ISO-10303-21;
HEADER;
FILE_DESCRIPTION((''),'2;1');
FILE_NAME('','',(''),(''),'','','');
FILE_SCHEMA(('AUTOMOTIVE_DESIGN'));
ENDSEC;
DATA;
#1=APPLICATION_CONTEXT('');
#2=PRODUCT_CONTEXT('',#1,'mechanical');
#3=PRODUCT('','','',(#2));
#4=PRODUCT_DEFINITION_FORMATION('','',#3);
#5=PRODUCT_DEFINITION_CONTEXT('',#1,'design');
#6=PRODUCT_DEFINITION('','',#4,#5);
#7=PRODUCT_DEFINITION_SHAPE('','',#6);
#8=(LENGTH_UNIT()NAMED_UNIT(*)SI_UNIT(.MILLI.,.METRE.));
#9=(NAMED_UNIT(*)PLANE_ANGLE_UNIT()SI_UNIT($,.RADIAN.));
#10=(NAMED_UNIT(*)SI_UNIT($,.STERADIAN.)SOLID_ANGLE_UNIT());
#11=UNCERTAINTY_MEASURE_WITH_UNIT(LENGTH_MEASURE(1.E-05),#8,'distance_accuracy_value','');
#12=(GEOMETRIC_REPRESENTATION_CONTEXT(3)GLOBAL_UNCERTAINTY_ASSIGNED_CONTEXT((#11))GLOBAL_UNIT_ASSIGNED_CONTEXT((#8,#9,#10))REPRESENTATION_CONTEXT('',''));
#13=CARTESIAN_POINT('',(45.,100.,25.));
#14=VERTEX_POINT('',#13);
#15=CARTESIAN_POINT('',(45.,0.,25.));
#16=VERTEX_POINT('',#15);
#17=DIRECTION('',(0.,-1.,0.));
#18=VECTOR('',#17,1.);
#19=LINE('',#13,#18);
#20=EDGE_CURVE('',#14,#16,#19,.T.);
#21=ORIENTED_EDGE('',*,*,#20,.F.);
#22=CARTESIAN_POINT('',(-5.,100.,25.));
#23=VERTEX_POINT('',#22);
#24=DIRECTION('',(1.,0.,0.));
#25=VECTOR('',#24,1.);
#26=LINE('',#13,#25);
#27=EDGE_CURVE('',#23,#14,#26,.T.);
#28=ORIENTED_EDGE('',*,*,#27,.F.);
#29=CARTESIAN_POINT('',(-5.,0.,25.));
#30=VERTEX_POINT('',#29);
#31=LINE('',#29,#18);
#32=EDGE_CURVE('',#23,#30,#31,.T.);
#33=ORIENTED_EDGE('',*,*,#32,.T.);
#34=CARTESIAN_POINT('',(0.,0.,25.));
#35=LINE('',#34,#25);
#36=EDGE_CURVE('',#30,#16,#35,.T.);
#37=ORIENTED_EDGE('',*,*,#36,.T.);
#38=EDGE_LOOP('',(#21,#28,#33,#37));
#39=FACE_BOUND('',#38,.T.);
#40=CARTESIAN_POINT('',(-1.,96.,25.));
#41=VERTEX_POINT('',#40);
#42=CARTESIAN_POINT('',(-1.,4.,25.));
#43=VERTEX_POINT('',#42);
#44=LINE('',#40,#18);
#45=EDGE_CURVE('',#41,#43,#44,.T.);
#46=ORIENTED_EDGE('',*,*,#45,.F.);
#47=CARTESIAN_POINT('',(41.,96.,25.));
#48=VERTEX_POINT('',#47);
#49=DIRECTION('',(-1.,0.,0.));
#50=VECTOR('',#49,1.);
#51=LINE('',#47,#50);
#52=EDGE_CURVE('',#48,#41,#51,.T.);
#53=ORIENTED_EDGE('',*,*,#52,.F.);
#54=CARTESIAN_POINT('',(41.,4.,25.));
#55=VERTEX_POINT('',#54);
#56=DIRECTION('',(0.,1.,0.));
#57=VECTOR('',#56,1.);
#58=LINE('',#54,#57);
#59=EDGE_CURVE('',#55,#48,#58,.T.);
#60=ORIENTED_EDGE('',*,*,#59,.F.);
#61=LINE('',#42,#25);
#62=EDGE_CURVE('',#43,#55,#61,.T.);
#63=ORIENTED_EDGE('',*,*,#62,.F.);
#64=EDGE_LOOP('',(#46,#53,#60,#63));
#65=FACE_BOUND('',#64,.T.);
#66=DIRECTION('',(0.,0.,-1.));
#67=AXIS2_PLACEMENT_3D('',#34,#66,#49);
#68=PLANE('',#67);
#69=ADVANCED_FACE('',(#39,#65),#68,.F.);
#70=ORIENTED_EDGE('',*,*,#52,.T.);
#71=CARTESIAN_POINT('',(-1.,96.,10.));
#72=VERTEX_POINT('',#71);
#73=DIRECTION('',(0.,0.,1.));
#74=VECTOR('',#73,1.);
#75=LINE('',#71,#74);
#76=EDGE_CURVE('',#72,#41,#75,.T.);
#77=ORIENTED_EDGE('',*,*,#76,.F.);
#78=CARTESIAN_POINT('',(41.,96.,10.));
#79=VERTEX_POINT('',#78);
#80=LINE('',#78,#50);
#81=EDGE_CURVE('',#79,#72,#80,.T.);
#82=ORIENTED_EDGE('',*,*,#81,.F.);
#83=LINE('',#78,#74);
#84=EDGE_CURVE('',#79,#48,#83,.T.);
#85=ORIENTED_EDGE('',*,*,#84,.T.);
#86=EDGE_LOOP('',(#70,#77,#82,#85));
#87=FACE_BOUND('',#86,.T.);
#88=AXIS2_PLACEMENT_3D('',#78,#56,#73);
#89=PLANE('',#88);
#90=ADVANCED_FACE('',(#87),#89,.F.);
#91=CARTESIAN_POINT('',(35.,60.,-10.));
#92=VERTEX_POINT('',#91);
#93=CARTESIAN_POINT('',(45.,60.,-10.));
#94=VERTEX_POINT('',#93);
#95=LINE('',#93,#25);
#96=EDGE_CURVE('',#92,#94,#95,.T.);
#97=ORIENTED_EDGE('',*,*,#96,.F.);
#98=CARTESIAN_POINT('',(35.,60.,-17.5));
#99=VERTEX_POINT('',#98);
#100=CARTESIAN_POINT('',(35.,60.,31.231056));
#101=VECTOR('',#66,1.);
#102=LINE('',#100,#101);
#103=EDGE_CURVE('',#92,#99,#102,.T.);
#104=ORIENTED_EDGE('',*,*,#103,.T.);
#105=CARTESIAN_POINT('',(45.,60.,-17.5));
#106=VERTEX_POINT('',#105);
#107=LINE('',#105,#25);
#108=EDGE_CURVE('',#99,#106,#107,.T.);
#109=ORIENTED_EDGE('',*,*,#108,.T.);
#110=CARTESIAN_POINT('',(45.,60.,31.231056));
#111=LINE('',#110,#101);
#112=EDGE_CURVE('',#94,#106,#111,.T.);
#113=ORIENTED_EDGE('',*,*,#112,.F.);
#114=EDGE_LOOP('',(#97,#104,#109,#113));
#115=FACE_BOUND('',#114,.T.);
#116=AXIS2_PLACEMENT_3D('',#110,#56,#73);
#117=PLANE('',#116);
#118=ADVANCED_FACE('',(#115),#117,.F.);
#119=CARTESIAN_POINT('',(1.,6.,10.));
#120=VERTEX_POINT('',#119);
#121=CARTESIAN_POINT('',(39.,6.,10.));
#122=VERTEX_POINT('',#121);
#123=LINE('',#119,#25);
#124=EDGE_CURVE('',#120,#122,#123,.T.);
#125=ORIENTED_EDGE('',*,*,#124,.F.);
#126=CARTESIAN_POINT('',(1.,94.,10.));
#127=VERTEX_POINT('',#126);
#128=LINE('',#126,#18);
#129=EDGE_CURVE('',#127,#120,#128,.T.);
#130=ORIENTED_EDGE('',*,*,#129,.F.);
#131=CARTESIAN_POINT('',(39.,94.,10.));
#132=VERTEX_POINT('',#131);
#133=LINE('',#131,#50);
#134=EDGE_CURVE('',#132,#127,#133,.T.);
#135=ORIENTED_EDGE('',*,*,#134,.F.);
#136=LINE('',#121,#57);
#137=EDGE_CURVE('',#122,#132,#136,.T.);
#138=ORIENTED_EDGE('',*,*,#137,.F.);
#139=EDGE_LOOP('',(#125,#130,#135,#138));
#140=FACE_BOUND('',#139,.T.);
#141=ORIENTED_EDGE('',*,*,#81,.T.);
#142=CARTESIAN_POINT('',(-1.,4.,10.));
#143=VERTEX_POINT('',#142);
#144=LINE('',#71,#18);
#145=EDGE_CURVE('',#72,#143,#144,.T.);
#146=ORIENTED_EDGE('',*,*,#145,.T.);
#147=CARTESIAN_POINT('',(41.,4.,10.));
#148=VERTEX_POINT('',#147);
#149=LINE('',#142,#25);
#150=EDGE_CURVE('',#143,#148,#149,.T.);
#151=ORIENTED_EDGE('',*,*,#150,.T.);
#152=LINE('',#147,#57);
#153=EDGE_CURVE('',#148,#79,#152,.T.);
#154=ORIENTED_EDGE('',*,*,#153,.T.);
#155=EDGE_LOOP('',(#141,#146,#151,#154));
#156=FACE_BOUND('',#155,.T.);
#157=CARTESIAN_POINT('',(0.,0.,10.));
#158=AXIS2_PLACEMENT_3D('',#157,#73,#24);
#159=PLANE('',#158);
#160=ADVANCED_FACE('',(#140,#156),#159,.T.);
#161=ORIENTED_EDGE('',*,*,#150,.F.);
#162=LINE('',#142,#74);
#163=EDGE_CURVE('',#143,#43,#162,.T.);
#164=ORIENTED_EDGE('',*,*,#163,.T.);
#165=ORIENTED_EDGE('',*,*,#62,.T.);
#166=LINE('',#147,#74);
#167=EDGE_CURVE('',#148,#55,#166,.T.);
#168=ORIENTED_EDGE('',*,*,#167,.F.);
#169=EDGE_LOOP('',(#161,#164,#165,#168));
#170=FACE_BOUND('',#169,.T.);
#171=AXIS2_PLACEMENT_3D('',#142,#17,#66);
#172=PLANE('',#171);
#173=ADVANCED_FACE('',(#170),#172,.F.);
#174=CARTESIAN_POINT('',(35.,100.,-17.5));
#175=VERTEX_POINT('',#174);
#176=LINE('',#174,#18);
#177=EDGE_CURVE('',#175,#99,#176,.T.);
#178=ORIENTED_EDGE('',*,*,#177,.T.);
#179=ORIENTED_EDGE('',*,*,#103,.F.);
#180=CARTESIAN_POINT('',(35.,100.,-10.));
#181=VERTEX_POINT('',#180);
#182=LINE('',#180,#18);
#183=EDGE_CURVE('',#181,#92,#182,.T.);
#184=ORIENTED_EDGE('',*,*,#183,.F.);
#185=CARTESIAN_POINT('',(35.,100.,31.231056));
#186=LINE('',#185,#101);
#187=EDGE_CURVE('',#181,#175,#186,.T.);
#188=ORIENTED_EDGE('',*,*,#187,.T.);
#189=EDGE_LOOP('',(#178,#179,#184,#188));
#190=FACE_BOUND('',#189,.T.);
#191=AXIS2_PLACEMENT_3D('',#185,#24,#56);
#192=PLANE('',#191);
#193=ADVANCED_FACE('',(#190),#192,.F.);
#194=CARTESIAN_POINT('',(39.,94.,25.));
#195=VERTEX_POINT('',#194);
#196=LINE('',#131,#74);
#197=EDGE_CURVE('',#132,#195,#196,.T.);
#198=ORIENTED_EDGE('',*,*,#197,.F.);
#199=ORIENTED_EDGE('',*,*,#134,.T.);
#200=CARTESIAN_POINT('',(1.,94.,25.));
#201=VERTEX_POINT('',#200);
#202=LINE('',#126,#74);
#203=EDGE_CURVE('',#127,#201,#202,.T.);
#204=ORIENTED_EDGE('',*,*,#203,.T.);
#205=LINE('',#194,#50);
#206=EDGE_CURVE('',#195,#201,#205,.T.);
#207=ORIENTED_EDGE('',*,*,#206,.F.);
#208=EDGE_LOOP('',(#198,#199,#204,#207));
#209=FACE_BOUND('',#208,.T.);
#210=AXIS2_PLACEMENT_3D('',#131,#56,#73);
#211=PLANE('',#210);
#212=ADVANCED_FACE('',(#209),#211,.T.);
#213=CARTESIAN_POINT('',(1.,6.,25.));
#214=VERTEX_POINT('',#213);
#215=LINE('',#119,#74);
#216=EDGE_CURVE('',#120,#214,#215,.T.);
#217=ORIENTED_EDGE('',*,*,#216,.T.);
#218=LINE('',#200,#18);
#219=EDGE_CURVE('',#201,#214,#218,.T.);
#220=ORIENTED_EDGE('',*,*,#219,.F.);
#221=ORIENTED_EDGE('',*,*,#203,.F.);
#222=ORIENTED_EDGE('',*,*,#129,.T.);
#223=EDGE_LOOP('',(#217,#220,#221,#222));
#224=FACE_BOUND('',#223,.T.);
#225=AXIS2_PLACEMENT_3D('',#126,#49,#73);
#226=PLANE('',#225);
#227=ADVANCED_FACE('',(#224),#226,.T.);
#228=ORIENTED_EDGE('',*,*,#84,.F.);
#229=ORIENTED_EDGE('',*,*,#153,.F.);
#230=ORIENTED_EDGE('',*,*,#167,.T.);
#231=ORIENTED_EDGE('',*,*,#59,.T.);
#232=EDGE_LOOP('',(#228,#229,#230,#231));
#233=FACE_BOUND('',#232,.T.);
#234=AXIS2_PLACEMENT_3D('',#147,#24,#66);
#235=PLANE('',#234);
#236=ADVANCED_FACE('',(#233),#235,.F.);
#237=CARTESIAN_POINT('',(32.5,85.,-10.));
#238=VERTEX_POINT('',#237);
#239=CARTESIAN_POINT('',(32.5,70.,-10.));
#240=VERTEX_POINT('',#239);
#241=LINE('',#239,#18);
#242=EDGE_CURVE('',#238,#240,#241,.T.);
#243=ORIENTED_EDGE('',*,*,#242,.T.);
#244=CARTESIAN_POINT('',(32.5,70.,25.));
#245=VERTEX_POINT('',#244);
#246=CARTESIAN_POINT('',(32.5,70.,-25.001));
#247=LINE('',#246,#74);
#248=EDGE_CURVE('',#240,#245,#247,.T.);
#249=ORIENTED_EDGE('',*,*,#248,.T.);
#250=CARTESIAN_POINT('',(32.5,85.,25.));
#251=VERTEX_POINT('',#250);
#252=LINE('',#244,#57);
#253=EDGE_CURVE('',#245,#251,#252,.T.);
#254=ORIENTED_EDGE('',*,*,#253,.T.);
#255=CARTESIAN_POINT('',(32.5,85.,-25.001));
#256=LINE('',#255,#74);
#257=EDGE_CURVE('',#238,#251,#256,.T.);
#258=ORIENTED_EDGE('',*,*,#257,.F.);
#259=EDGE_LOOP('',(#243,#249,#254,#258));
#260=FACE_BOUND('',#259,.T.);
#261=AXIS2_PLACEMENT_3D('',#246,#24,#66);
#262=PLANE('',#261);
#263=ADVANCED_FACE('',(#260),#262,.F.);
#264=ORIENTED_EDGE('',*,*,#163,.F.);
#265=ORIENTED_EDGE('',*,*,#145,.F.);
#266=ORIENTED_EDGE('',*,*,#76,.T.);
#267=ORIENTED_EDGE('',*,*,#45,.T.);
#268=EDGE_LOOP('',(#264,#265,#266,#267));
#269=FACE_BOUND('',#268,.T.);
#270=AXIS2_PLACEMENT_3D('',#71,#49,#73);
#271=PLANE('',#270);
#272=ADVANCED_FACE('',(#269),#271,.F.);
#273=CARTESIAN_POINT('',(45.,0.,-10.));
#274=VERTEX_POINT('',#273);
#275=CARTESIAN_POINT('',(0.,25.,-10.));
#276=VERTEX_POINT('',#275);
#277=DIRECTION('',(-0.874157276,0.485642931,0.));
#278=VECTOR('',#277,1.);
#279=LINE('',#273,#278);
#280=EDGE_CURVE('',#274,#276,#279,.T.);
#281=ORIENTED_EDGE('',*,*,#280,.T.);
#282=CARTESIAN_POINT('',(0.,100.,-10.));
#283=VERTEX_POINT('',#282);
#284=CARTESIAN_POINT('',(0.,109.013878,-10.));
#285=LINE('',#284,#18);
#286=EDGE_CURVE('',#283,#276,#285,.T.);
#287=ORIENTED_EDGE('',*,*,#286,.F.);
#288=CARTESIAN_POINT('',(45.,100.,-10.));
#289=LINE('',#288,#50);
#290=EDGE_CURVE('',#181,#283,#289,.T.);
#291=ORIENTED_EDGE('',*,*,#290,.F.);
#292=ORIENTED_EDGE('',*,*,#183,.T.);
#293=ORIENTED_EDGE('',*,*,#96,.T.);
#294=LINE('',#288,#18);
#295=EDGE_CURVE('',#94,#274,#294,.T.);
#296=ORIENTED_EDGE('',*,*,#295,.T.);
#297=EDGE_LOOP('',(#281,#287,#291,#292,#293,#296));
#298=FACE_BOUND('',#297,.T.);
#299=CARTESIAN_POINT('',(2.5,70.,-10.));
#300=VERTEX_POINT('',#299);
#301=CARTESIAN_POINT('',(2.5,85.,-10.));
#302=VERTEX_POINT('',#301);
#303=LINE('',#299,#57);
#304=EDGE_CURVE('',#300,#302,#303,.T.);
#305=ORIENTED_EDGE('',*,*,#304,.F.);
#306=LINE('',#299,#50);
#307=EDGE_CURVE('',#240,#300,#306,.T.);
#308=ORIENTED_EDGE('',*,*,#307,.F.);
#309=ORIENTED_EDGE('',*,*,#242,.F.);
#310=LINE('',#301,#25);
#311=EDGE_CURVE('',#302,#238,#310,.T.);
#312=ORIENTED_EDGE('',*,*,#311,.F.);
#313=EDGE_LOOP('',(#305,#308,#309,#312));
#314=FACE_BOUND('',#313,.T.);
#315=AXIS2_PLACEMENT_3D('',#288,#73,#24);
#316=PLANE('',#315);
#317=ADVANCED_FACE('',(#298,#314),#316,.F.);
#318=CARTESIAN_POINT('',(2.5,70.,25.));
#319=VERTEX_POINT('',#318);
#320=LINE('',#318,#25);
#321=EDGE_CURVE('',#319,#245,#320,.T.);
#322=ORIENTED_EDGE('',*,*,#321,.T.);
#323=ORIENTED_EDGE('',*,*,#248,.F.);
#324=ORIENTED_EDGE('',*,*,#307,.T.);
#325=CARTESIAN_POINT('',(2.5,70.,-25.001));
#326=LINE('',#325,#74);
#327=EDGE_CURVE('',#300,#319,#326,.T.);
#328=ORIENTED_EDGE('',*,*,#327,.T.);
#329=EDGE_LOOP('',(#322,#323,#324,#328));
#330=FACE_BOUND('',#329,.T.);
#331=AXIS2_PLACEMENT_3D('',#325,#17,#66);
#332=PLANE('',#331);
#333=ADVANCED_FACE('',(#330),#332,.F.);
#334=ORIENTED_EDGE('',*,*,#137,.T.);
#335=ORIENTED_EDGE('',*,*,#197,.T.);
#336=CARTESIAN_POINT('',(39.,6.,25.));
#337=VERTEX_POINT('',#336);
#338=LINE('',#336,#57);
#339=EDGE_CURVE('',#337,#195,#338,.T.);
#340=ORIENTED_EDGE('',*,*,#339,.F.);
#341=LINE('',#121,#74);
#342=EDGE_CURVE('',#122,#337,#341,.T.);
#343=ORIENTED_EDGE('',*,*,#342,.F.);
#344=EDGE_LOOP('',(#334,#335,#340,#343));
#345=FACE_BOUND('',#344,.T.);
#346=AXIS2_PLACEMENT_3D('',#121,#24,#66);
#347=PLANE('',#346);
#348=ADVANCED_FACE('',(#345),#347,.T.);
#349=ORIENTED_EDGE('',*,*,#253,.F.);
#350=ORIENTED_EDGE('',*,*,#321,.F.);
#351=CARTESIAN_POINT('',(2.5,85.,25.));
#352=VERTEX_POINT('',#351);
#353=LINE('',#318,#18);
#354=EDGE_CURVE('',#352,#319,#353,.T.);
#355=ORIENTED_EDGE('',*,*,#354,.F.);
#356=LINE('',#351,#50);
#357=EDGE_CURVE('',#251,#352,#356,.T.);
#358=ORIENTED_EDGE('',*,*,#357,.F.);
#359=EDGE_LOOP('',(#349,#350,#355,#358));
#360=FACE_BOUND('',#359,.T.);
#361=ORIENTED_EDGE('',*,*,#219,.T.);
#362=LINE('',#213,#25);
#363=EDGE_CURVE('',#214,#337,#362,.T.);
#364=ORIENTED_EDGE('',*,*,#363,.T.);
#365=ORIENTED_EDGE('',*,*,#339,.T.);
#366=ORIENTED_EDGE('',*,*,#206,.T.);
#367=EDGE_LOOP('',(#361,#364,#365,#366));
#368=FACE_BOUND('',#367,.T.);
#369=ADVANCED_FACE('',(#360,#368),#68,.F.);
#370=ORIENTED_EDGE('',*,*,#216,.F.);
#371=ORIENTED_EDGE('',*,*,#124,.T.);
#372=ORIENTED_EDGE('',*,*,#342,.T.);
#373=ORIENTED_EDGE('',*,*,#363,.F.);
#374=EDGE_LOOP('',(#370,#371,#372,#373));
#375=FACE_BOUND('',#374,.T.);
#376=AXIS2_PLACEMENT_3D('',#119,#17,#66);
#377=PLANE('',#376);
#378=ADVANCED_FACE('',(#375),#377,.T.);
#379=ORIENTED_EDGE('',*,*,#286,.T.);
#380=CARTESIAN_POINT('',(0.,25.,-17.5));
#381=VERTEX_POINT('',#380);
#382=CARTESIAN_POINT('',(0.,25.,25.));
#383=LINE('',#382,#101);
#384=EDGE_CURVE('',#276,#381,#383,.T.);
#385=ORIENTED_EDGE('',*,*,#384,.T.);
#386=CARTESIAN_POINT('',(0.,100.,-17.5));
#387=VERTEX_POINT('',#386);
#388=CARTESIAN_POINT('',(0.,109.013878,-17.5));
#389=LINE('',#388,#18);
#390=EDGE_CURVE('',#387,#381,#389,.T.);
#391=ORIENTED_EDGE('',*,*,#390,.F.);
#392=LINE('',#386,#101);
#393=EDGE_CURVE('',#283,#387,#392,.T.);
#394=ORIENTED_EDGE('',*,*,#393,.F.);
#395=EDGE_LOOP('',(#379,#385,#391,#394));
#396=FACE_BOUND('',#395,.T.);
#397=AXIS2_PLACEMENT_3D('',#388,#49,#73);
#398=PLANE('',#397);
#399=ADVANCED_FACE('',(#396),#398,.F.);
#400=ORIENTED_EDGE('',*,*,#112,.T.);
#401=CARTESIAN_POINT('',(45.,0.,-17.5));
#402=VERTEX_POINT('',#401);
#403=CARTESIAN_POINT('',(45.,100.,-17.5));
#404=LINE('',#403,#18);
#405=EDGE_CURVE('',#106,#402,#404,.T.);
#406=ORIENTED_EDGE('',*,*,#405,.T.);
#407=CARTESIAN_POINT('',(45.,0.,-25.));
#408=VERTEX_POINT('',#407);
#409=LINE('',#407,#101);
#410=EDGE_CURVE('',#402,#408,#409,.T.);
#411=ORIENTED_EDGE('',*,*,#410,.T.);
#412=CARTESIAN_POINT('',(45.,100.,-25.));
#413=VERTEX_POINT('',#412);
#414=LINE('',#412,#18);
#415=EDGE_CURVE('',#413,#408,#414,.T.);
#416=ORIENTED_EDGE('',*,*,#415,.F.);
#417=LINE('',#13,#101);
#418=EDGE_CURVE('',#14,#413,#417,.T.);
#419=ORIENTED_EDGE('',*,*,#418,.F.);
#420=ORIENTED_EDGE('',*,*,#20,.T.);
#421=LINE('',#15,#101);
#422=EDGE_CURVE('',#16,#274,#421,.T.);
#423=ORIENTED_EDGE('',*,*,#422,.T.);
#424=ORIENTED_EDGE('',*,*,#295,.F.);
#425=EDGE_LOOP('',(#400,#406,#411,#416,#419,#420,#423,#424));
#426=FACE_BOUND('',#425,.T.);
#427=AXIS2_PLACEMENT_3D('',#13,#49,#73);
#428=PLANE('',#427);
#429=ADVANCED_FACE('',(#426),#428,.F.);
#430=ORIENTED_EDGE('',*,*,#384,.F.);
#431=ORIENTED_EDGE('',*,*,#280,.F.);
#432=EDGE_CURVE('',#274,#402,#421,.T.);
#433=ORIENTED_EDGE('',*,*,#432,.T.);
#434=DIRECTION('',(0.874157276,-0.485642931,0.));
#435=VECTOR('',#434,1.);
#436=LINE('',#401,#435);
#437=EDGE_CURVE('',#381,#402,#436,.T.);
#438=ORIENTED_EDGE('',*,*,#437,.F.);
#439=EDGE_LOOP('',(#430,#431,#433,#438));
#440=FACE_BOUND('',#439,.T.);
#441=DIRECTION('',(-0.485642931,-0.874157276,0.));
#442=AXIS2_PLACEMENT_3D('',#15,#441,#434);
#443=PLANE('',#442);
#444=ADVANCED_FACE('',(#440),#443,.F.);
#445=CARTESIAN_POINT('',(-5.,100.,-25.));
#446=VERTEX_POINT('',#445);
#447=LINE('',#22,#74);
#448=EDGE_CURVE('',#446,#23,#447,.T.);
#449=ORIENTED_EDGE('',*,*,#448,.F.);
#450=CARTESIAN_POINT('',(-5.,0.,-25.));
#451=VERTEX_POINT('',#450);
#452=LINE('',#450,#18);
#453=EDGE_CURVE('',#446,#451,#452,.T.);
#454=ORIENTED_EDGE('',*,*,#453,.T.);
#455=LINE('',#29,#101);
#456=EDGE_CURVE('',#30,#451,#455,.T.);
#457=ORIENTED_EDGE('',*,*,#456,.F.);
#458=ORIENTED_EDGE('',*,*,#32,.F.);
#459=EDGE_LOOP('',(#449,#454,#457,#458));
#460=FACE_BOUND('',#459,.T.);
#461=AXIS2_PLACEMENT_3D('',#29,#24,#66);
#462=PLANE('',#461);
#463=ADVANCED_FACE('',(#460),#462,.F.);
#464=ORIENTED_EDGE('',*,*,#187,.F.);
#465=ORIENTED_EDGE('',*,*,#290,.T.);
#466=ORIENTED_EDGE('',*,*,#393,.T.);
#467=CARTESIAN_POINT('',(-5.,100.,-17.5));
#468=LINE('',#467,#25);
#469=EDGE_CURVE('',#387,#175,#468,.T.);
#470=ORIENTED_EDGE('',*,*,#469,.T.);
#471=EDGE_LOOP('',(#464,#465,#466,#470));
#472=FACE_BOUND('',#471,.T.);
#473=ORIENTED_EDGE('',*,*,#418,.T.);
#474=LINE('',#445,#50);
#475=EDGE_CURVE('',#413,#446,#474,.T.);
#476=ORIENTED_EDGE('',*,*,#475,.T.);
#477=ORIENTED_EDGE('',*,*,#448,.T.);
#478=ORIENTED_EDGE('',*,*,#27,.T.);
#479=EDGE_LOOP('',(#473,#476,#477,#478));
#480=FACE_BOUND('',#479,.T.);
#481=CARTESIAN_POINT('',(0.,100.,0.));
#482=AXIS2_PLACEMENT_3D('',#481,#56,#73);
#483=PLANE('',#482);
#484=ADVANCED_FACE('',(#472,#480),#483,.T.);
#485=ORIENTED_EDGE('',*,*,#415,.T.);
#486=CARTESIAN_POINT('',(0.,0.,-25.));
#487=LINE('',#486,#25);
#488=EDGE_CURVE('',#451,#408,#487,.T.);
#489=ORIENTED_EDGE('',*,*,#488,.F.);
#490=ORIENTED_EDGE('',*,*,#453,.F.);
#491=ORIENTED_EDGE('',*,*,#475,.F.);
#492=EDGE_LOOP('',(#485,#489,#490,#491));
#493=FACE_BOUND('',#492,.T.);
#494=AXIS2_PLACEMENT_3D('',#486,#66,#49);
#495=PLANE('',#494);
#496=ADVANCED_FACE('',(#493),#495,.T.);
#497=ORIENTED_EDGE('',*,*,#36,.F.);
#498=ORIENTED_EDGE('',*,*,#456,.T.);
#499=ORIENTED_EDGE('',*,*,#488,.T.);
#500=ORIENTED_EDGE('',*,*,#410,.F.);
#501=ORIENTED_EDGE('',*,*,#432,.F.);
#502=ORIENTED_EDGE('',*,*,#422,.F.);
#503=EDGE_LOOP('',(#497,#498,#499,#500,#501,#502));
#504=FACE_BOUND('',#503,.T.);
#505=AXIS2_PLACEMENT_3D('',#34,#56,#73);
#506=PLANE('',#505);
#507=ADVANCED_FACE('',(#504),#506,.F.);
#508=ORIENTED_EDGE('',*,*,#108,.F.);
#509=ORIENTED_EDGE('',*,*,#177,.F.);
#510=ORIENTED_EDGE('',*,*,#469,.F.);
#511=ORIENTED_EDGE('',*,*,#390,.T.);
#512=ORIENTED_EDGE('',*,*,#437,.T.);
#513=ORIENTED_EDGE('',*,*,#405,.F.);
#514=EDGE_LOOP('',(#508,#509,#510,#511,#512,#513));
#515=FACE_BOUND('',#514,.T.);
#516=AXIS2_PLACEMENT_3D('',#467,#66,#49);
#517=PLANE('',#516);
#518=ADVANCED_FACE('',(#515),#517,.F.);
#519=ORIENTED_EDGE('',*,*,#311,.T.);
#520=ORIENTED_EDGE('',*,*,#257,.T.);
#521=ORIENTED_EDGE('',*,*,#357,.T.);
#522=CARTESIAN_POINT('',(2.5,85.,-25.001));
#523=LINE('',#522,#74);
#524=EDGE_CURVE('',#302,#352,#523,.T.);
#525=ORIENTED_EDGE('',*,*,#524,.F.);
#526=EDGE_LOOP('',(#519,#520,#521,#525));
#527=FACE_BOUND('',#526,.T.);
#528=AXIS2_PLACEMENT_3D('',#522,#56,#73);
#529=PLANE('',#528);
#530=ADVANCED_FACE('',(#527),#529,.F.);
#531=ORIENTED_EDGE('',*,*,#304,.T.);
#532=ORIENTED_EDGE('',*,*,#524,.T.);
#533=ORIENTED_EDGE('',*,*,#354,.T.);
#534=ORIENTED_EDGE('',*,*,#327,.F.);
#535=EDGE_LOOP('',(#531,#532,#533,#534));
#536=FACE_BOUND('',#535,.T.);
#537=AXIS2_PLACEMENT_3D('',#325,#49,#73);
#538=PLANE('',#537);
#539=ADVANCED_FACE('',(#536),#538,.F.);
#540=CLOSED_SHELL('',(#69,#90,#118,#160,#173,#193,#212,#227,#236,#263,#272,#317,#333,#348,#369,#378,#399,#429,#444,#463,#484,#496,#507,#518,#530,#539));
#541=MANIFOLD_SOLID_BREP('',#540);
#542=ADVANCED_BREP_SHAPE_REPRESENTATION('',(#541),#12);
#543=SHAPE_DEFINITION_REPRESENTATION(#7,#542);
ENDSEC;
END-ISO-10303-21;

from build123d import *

# Parameters (mm, degrees)
BOSS_EXTRUDE1_DEPTH = 25
SKETCH2_W           = 50
SKETCH2_H           = 35
SKETCH2_H_2         = 7.5
BOSS_EXTRUDE2_DEPTH = 100
SKETCH3_W           = 5
SKETCH3_H           = 7.5
BOSS_EXTRUDE3_DEPTH = 75
SKETCH4_W           = 10
SKETCH4_H           = 40
BOSS_EXTRUDE4_DEPTH = 7.5
CUT_EXTRUDE1_REACH  = 122.52
SKETCH5_W           = 30
SKETCH5_H           = 15
SKETCH7_W           = 42
SKETCH7_H           = 92
SKETCH7_W_2         = 38
SKETCH7_H_2         = 88
CUT_EXTRUDE2_DEPTH  = 15


with BuildPart() as part:
    # Sketch1 → Boss-Extrude1 (new, symmetric)
    with BuildSketch(Plane.XY):
        Polygon((0, 0), (45, 0), (0, 25), (-5, 25), (-5, 0), align=None)
    extrude(amount=BOSS_EXTRUDE1_DEPTH, both=True)

    # Sketch2 → Boss-Extrude2 (add)
    with BuildSketch(Plane(origin=(0, 0, 0), x_dir=(1, 0, 0), z_dir=(0, 1, 0))):
        with Locations((20, -7.5)):
            Rectangle(SKETCH2_W, SKETCH2_H)
        with Locations((20, 21.25)):
            Rectangle(SKETCH2_W, SKETCH2_H_2)
    extrude(amount=BOSS_EXTRUDE2_DEPTH)

    # Sketch3 → Boss-Extrude3 (add)
    with BuildSketch(Plane(origin=(0, 25, 0), x_dir=(1, 0, 0), z_dir=(0, 1, 0))):
        with Locations((-2.5, 13.75)):
            Rectangle(SKETCH3_W, SKETCH3_H)
    extrude(amount=BOSS_EXTRUDE3_DEPTH)

    # Sketch4 → Boss-Extrude4 (add)
    with BuildSketch(Plane.XY.offset(-17.5)):
        with Locations((40, 80)):
            Rectangle(SKETCH4_W, SKETCH4_H)
    extrude(amount=BOSS_EXTRUDE4_DEPTH)

    # Sketch5 → Cut-Extrude1 (cut, up to next)
    with BuildSketch(Plane.XY.offset(25), mode=Mode.PRIVATE) as cut_extrude1_sk1:
        with Locations((17.5, 77.5)):
            Rectangle(SKETCH5_W, SKETCH5_H)
    cut_extrude1_tool1 = extrude(cut_extrude1_sk1.sketch, amount=-CUT_EXTRUDE1_REACH, mode=Mode.PRIVATE) & part.part
    add(cut_extrude1_tool1.solids().sort_by_distance((17.5, 77.5, 25))[0], mode=Mode.SUBTRACT)

    # Sketch7 → Cut-Extrude2 (cut)
    with BuildSketch(Plane.XY.offset(25)):
        with Locations((20, 50)):
            Rectangle(SKETCH7_W, SKETCH7_H)
        with Locations((20, 50)):
            Rectangle(SKETCH7_W_2, SKETCH7_H_2, mode=Mode.SUBTRACT)
    extrude(amount=-CUT_EXTRUDE2_DEPTH, mode=Mode.SUBTRACT)


solid = part.part
